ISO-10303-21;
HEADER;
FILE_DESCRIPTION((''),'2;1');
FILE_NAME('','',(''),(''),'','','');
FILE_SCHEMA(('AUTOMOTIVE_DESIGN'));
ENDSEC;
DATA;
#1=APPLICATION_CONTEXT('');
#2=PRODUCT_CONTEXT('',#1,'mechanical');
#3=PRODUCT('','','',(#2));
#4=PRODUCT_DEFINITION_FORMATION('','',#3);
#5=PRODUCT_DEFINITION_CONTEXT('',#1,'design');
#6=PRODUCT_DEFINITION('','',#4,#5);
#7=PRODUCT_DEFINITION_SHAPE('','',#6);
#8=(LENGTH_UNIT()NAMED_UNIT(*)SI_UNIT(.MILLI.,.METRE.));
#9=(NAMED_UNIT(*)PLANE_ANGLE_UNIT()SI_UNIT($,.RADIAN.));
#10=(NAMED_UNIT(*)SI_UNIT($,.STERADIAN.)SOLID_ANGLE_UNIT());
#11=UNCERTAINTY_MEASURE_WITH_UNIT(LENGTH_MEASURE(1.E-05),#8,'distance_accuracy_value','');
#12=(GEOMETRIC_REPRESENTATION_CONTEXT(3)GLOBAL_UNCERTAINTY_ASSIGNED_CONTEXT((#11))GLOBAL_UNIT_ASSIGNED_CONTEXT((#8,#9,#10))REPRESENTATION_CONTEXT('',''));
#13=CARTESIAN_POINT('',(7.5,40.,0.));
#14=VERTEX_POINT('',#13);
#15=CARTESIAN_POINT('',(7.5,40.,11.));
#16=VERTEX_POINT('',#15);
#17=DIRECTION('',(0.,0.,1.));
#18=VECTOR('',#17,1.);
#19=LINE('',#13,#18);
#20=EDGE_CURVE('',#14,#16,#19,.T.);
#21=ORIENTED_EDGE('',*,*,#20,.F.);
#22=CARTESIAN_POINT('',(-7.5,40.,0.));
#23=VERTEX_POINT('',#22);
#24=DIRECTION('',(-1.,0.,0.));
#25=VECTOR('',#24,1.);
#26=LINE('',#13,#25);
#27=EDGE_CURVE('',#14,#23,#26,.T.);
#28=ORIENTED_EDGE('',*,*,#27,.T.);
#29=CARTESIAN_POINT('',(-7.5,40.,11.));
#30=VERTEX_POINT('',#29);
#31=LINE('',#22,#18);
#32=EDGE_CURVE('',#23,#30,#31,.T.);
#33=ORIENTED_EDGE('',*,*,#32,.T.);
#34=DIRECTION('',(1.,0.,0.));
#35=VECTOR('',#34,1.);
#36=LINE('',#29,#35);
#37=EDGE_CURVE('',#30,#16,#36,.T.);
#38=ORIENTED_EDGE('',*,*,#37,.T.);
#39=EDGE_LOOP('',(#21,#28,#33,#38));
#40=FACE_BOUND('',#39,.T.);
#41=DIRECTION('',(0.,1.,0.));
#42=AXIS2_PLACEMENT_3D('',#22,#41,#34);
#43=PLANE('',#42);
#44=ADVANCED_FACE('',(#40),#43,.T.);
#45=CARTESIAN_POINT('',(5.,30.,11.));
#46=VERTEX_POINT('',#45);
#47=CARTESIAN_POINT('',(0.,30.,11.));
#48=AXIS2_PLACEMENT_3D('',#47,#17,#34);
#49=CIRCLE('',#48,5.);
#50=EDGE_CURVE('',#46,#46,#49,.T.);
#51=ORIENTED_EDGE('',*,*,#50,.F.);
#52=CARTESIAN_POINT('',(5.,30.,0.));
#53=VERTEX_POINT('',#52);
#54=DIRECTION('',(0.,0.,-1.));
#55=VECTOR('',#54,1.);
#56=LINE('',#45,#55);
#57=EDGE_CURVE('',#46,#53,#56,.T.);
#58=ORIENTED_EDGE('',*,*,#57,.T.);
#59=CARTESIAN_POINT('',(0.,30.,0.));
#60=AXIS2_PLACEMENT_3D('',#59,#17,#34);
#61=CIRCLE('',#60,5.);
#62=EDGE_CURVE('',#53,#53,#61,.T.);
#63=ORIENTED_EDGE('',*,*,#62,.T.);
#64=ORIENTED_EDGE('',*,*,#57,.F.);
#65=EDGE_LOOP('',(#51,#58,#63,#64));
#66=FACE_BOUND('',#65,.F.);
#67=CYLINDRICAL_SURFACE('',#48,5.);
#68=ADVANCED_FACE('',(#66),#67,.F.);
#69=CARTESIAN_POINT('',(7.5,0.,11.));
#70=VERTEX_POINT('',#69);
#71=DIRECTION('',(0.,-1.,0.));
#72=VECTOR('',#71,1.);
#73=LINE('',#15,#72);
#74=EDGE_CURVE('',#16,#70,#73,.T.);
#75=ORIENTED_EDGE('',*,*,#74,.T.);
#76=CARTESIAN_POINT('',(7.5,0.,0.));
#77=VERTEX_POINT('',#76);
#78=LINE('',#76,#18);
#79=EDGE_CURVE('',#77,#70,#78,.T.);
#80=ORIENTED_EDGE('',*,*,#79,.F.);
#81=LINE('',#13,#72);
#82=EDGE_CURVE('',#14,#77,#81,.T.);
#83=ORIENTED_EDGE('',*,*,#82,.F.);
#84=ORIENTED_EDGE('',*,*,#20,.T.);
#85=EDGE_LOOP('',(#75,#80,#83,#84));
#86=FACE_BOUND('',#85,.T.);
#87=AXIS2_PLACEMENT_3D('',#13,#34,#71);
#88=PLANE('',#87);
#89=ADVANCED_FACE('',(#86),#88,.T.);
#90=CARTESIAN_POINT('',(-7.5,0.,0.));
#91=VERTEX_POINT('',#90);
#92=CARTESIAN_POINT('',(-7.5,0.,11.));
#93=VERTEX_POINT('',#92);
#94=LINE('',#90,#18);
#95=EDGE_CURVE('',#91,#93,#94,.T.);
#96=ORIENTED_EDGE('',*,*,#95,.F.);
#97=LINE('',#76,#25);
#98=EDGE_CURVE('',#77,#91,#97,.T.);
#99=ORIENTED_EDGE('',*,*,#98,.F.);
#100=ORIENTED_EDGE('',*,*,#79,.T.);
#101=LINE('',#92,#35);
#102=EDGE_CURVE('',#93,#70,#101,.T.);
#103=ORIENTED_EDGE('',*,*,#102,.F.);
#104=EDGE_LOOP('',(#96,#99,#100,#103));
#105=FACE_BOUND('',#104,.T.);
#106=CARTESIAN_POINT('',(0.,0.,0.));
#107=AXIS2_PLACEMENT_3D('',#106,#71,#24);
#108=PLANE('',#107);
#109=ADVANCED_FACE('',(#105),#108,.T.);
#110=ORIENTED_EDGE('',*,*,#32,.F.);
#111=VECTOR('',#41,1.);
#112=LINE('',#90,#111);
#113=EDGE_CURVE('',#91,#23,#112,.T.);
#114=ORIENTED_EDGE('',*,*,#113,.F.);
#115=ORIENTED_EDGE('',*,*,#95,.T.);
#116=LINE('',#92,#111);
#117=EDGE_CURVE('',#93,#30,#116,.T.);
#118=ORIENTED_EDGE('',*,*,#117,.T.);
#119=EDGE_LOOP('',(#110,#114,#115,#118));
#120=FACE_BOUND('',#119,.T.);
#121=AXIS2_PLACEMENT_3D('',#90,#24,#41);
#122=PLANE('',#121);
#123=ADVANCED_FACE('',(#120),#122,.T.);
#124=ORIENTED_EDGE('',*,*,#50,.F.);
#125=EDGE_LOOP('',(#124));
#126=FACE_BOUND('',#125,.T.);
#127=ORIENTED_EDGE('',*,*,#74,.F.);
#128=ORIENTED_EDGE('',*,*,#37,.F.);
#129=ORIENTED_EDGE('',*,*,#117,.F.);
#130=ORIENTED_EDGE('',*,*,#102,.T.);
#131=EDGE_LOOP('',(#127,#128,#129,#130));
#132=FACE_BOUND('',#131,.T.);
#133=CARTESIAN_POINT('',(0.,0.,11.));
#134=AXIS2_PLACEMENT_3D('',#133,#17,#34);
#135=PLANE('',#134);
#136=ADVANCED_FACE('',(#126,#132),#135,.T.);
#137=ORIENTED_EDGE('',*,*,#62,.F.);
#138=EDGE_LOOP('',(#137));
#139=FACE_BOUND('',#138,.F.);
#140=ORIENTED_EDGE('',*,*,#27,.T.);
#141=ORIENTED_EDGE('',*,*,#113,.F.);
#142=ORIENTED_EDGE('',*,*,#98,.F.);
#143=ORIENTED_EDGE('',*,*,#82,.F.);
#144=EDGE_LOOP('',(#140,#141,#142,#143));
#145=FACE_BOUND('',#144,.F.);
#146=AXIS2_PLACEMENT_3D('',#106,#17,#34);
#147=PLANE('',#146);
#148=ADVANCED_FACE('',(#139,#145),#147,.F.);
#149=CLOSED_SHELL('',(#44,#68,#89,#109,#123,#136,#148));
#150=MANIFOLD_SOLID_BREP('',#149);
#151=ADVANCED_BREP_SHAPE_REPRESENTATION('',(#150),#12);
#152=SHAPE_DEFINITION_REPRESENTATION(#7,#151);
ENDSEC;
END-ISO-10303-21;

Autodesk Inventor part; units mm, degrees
ref_plane "YZ Plane" through (0, 0, 0) normal (1, 0, 0) x (0, 1, 0)
ref_plane "XZ Plane" through (0, 0, 0) normal (0, 1, 0) x (-1, 0, 0)
ref_plane "XY Plane" through (0, 0, 0) normal (0, 0, 1) x (1, 0, 0)
sketch "Sketch1" plane through (0, 0, 0) normal (0, 0, 1) x (1, 0, 0)
  line L0 (-7.5, 40) -> (7.5, 40)
  line L1 (7.5, 40) -> (7.5, 0)
  line L2 (7.5, 0) -> (-7.5, 0)
  line L3 (-7.5, 0) -> (-7.5, 40)
  line L4 (-10.7602, 0) -> (12.0613, 0) projected
  line L5 (0, -8) -> (0, 48) projected
  point P0 (0, 0)
  dimension "d4" = 7.5
  dimension "d5" = 7.5
  dimension "d6" = 40
  dimension "d7" = 0
extrude "Extrusion1" add sketch "Sketch1" along normal blind 11
sketch "Sketch3" plane through (-7.5, 0, 0) normal (0, -1, 0) x (1, 0, 0)
  line L0 (0, 0) -> (0, 11) projected
  line L1 (0, 5.5) -> (13.8011, 5.5)
  line L2 (0, 11) -> (15, 11) projected
  circle A0 centre (5, 5.5) radius 1
  point P0 (7.5, 0)
  dimension "d11" = 5.5
  dimension "d12" = 2
sketch "Sketch4" plane through (0, 0, 11) normal (0, 0, 1) x (1, 0, 0)
  circle A0 centre (0, 30) radius 5
  line L0 (-7.5, 0) -> (7.5, 0) projected
  point P0 (0, 0)
  dimension "d13" = 10
  dimension "d14" = 30
extrude "Extrusion3" cut sketch "Sketch4" against normal through all
properties part number "mallet_support"
